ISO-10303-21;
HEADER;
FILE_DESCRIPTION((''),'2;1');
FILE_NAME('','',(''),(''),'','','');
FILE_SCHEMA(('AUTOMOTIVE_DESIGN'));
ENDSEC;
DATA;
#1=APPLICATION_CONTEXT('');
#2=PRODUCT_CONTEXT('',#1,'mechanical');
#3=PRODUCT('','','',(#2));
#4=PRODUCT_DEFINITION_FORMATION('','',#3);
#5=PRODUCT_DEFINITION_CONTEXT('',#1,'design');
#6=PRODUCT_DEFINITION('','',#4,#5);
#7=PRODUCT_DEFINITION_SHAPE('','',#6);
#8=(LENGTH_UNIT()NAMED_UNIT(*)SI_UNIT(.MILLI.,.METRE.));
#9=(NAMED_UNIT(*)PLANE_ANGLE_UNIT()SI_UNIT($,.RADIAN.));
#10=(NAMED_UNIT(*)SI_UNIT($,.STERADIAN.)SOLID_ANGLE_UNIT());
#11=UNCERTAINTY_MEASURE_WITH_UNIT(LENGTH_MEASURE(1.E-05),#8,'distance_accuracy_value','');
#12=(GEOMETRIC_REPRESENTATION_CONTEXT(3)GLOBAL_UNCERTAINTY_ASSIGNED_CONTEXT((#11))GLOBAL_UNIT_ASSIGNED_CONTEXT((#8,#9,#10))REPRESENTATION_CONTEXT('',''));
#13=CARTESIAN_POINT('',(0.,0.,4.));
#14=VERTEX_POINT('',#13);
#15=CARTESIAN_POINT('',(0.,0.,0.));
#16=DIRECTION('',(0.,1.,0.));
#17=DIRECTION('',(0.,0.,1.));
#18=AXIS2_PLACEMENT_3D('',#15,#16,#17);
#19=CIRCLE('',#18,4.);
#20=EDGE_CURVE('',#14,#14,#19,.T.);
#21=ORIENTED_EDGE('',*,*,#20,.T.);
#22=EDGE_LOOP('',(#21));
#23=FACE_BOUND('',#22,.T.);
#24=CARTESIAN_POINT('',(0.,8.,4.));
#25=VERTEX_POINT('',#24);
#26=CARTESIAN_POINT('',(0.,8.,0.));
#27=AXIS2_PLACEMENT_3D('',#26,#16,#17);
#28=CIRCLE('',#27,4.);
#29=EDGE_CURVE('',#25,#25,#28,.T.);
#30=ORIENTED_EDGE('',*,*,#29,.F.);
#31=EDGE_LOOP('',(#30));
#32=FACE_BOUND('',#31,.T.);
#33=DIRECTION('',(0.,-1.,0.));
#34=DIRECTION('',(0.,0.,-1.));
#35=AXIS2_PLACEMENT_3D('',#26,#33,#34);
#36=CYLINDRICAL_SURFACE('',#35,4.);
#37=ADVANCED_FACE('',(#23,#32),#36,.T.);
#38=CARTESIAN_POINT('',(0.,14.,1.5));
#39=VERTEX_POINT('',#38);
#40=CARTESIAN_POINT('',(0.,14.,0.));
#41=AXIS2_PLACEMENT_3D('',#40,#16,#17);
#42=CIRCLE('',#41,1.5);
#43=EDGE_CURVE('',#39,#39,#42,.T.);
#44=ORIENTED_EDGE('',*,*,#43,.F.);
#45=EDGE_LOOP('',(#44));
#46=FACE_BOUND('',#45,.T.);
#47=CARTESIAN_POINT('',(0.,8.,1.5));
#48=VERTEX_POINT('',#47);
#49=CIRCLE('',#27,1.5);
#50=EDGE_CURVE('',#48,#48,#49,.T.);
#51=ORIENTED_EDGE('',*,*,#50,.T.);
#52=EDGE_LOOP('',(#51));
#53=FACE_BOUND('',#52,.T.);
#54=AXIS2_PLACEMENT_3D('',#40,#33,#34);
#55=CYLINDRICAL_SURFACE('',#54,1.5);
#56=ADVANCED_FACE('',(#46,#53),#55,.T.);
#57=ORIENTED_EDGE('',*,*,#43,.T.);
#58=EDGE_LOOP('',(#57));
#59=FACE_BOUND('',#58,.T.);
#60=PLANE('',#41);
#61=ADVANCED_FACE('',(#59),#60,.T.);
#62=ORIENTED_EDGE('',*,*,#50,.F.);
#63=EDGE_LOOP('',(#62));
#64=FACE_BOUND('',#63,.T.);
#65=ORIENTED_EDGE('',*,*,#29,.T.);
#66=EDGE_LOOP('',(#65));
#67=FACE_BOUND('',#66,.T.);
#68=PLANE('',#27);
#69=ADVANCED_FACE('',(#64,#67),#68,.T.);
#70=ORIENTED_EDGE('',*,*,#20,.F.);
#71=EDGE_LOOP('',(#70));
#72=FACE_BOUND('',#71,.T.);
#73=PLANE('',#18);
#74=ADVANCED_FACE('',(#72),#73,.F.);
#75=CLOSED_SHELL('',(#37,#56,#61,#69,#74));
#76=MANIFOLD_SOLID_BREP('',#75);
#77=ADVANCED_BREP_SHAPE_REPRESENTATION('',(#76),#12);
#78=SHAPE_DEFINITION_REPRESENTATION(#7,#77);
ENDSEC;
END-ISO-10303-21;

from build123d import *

# Parameters (mm, degrees)
SKETCH1_R           = 4
BOSS_EXTRUDE1_DEPTH = 8
SKETCH2_R           = 1.5
BOSS_EXTRUDE2_DEPTH = 6


with BuildPart() as part:
    # Sketch1 → Boss-Extrude1 (new body)
    with BuildSketch(Plane(origin=(0, 0, 0), x_dir=(1, 0, 0), z_dir=(0, 1, 0))):
        Circle(SKETCH1_R)
    extrude(amount=BOSS_EXTRUDE1_DEPTH)

    # Sketch2 → Boss-Extrude2 (add)
    with BuildSketch(Plane(origin=(0, 8, 0), x_dir=(1, 0, 0), z_dir=(0, 1, 0))):
        Circle(SKETCH2_R)
    extrude(amount=BOSS_EXTRUDE2_DEPTH)


solid = part.part
